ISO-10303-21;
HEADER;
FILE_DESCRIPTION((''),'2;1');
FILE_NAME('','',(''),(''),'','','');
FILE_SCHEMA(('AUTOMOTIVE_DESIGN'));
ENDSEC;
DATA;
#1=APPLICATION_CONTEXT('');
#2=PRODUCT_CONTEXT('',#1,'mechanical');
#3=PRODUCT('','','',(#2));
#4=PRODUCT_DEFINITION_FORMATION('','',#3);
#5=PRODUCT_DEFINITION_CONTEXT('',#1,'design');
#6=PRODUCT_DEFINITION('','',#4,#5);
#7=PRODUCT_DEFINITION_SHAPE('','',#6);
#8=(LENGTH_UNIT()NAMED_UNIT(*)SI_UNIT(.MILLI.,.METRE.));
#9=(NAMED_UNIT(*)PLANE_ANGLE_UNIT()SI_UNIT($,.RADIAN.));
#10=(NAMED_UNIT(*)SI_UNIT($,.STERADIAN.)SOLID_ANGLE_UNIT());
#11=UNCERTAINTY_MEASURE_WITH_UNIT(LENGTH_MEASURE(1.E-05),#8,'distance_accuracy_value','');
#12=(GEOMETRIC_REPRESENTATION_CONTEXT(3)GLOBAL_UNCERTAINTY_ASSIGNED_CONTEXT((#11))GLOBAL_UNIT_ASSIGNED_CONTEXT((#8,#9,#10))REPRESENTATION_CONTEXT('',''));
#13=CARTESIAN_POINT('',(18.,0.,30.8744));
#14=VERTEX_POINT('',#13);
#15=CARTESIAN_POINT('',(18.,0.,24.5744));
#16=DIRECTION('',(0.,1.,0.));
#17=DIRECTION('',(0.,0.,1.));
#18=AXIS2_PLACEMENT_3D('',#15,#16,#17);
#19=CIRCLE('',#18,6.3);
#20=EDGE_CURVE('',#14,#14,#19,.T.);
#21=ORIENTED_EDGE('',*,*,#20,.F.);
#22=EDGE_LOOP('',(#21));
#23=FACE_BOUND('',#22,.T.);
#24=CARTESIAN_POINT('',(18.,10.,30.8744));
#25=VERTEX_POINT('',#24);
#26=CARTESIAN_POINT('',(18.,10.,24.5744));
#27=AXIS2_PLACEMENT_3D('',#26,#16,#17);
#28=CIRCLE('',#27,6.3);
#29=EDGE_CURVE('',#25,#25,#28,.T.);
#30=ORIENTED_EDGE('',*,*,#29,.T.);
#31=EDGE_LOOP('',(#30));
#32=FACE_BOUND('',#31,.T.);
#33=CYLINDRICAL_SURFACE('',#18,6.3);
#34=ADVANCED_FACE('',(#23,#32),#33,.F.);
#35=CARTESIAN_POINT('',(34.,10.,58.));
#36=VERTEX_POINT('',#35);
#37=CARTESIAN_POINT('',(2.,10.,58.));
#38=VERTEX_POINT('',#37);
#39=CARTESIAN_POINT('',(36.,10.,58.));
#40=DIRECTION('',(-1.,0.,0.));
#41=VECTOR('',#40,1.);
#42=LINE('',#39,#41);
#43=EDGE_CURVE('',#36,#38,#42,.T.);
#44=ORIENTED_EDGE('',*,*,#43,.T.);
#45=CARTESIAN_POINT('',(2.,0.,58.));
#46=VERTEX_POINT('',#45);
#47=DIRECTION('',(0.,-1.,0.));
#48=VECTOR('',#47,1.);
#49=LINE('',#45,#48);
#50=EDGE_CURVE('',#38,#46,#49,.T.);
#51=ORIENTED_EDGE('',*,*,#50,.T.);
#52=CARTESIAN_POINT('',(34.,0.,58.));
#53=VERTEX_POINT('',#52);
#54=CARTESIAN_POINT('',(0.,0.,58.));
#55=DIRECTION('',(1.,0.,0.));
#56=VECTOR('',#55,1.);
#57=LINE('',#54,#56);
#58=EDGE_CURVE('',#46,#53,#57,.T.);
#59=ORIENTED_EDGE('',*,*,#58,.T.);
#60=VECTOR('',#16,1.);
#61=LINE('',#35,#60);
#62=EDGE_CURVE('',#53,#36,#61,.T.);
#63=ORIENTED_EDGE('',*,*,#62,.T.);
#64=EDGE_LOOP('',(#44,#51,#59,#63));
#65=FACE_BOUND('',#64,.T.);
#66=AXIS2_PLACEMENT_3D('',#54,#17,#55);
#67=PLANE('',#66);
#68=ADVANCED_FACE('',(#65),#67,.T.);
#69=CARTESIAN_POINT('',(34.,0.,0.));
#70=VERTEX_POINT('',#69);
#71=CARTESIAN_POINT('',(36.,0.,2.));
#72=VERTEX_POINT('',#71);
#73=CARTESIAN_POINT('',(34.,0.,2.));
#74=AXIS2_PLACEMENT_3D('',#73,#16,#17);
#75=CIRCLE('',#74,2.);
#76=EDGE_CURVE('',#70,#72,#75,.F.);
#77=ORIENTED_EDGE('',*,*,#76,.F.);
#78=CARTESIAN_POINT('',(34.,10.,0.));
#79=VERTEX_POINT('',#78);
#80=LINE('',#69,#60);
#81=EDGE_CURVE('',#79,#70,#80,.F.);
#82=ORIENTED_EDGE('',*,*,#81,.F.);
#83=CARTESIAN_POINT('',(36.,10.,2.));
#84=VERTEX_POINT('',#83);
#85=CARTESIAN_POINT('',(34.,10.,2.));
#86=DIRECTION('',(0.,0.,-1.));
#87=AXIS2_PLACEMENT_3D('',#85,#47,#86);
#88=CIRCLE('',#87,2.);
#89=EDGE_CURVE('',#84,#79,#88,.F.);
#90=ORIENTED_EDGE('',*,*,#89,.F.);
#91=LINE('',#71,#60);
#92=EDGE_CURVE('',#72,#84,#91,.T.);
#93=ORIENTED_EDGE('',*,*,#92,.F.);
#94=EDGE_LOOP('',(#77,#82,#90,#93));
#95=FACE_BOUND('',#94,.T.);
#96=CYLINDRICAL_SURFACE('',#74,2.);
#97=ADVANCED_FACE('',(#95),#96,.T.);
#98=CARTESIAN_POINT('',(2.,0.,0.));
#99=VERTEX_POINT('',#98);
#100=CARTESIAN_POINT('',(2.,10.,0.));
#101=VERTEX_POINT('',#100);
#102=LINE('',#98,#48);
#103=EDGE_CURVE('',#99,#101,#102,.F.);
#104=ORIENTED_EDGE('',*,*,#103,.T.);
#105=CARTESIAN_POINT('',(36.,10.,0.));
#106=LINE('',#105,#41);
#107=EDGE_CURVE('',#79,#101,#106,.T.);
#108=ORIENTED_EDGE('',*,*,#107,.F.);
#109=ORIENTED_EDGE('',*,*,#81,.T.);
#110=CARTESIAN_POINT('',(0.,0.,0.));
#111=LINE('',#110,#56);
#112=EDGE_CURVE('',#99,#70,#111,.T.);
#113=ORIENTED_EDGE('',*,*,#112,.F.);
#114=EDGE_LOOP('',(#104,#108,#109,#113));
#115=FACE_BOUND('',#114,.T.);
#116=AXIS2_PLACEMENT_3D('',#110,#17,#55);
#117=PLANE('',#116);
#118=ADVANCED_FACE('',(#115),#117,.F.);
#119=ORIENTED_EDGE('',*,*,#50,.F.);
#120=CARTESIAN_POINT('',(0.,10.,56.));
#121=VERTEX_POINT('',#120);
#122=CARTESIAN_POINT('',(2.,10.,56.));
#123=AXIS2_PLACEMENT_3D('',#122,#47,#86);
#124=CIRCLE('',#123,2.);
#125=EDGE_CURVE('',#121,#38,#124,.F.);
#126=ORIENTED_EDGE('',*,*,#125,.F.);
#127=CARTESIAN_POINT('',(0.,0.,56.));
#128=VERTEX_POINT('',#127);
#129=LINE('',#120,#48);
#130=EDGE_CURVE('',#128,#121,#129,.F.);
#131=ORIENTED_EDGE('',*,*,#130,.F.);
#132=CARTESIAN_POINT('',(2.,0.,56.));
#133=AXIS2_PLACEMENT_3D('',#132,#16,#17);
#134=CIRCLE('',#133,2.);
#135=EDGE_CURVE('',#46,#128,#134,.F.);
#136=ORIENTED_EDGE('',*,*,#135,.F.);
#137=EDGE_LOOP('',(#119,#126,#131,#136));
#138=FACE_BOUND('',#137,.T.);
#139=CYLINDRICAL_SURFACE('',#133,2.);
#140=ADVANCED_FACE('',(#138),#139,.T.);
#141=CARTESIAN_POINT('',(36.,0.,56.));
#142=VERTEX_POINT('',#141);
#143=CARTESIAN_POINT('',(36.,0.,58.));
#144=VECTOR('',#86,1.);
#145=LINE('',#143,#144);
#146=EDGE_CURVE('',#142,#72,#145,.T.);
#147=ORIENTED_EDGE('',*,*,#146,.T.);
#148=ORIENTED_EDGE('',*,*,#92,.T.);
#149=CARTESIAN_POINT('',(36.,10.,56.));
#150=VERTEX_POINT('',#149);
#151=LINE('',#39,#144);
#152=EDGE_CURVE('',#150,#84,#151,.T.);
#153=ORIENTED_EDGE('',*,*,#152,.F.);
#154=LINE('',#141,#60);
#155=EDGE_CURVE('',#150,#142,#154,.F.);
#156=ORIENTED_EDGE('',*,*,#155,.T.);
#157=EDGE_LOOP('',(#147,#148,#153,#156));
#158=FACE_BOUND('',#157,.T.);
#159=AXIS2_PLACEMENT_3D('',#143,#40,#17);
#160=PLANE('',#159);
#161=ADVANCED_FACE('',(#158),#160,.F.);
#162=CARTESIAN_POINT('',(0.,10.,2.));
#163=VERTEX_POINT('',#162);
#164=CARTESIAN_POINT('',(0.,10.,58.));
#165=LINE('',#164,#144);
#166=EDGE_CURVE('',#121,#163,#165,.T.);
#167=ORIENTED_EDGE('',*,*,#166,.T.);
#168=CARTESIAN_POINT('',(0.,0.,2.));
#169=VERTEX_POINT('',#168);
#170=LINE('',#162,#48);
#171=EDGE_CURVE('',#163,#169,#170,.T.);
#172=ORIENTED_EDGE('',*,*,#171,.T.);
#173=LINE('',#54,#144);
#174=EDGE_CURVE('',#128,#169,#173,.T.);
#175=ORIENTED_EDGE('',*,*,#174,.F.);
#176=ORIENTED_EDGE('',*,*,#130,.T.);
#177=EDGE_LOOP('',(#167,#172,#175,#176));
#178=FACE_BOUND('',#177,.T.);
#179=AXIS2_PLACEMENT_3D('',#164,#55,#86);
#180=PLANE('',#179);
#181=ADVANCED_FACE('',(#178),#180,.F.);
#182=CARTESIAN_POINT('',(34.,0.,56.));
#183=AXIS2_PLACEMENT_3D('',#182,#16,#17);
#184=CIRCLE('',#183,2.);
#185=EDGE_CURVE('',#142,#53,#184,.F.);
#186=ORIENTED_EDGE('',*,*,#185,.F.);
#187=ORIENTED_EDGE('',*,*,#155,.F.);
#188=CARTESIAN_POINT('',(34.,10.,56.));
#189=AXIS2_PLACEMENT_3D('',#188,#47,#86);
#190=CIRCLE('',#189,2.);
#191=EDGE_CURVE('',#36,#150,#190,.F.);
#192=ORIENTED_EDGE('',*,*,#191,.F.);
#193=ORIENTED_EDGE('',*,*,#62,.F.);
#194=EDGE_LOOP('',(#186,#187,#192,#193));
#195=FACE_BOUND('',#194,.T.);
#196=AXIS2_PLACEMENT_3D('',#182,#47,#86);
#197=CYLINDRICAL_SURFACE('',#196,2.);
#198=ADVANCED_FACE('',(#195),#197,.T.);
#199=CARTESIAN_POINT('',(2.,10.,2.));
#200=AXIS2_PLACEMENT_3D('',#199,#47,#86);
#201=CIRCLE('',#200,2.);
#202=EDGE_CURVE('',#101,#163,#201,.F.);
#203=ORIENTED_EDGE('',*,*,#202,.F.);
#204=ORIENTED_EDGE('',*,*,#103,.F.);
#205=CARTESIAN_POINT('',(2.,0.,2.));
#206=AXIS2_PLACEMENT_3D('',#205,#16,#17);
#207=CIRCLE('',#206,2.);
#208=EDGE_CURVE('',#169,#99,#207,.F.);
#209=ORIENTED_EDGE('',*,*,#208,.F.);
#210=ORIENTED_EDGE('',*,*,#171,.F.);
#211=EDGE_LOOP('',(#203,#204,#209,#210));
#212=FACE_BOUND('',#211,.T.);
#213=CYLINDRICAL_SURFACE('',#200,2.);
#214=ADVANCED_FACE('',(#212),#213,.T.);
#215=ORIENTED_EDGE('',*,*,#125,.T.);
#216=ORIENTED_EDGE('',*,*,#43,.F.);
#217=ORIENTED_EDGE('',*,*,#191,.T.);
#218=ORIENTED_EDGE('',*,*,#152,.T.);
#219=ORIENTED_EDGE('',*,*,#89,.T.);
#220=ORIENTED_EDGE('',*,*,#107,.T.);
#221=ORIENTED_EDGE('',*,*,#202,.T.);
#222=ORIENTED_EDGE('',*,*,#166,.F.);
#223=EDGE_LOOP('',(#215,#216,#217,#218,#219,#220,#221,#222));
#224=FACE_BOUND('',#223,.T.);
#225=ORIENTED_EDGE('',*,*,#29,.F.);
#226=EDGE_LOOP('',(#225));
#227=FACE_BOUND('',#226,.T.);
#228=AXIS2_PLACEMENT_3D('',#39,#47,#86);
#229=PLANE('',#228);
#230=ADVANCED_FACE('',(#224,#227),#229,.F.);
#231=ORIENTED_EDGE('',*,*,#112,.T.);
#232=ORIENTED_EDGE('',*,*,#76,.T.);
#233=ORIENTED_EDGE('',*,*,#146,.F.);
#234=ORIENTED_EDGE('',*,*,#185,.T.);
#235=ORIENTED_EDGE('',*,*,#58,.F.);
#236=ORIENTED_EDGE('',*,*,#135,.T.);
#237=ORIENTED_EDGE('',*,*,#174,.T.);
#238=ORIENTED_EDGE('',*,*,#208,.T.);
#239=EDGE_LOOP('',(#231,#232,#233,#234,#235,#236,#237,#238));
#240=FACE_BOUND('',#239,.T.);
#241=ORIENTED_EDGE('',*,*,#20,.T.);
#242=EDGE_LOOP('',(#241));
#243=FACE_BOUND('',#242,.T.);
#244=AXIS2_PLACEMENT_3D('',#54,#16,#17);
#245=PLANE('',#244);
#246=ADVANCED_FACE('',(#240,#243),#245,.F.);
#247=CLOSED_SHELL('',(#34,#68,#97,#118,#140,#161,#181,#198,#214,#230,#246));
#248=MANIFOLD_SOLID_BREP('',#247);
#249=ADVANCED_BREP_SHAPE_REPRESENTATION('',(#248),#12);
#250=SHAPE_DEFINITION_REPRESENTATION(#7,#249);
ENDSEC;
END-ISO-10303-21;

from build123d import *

# Parameters (mm, degrees)
SKETCH_1_W                = 36
SKETCH_1_H                = 10
BLOCKEXTRUDE_DEPTH        = 58
FILLET_2_R                = 2
SKETCH_2_R                = 6.3
DRIVE_SHAFT_PASSAGE_DEPTH = 69.992753243


with BuildPart() as part:
    # 草图1 → BlockExtrude (new body)
    with BuildSketch(Plane.XY):
        with Locations((18, 5)):
            Rectangle(SKETCH_1_W, SKETCH_1_H)
    extrude(amount=BLOCKEXTRUDE_DEPTH)

    # Fillet 2
    fillet_2_edges = [part.edges().sort_by_distance(p)[0] for p in [
        (36, 5, 58),
        (0, 5, 58),
        (36, 5, 0),
        (0, 5, 0),
    ]]
    fillet(fillet_2_edges, radius=FILLET_2_R)

    # 草图2 → Drive_shaft_passage (cut, through all)
    with BuildSketch(Plane(origin=(0, 10, 0), x_dir=(1, 0, 0), z_dir=(0, 1, 0))):
        with Locations(Location((18, -24.5744, 0), (0, 0, 270))):
            Circle(SKETCH_2_R)
    extrude(amount=-DRIVE_SHAFT_PASSAGE_DEPTH, mode=Mode.SUBTRACT)


solid = part.part
